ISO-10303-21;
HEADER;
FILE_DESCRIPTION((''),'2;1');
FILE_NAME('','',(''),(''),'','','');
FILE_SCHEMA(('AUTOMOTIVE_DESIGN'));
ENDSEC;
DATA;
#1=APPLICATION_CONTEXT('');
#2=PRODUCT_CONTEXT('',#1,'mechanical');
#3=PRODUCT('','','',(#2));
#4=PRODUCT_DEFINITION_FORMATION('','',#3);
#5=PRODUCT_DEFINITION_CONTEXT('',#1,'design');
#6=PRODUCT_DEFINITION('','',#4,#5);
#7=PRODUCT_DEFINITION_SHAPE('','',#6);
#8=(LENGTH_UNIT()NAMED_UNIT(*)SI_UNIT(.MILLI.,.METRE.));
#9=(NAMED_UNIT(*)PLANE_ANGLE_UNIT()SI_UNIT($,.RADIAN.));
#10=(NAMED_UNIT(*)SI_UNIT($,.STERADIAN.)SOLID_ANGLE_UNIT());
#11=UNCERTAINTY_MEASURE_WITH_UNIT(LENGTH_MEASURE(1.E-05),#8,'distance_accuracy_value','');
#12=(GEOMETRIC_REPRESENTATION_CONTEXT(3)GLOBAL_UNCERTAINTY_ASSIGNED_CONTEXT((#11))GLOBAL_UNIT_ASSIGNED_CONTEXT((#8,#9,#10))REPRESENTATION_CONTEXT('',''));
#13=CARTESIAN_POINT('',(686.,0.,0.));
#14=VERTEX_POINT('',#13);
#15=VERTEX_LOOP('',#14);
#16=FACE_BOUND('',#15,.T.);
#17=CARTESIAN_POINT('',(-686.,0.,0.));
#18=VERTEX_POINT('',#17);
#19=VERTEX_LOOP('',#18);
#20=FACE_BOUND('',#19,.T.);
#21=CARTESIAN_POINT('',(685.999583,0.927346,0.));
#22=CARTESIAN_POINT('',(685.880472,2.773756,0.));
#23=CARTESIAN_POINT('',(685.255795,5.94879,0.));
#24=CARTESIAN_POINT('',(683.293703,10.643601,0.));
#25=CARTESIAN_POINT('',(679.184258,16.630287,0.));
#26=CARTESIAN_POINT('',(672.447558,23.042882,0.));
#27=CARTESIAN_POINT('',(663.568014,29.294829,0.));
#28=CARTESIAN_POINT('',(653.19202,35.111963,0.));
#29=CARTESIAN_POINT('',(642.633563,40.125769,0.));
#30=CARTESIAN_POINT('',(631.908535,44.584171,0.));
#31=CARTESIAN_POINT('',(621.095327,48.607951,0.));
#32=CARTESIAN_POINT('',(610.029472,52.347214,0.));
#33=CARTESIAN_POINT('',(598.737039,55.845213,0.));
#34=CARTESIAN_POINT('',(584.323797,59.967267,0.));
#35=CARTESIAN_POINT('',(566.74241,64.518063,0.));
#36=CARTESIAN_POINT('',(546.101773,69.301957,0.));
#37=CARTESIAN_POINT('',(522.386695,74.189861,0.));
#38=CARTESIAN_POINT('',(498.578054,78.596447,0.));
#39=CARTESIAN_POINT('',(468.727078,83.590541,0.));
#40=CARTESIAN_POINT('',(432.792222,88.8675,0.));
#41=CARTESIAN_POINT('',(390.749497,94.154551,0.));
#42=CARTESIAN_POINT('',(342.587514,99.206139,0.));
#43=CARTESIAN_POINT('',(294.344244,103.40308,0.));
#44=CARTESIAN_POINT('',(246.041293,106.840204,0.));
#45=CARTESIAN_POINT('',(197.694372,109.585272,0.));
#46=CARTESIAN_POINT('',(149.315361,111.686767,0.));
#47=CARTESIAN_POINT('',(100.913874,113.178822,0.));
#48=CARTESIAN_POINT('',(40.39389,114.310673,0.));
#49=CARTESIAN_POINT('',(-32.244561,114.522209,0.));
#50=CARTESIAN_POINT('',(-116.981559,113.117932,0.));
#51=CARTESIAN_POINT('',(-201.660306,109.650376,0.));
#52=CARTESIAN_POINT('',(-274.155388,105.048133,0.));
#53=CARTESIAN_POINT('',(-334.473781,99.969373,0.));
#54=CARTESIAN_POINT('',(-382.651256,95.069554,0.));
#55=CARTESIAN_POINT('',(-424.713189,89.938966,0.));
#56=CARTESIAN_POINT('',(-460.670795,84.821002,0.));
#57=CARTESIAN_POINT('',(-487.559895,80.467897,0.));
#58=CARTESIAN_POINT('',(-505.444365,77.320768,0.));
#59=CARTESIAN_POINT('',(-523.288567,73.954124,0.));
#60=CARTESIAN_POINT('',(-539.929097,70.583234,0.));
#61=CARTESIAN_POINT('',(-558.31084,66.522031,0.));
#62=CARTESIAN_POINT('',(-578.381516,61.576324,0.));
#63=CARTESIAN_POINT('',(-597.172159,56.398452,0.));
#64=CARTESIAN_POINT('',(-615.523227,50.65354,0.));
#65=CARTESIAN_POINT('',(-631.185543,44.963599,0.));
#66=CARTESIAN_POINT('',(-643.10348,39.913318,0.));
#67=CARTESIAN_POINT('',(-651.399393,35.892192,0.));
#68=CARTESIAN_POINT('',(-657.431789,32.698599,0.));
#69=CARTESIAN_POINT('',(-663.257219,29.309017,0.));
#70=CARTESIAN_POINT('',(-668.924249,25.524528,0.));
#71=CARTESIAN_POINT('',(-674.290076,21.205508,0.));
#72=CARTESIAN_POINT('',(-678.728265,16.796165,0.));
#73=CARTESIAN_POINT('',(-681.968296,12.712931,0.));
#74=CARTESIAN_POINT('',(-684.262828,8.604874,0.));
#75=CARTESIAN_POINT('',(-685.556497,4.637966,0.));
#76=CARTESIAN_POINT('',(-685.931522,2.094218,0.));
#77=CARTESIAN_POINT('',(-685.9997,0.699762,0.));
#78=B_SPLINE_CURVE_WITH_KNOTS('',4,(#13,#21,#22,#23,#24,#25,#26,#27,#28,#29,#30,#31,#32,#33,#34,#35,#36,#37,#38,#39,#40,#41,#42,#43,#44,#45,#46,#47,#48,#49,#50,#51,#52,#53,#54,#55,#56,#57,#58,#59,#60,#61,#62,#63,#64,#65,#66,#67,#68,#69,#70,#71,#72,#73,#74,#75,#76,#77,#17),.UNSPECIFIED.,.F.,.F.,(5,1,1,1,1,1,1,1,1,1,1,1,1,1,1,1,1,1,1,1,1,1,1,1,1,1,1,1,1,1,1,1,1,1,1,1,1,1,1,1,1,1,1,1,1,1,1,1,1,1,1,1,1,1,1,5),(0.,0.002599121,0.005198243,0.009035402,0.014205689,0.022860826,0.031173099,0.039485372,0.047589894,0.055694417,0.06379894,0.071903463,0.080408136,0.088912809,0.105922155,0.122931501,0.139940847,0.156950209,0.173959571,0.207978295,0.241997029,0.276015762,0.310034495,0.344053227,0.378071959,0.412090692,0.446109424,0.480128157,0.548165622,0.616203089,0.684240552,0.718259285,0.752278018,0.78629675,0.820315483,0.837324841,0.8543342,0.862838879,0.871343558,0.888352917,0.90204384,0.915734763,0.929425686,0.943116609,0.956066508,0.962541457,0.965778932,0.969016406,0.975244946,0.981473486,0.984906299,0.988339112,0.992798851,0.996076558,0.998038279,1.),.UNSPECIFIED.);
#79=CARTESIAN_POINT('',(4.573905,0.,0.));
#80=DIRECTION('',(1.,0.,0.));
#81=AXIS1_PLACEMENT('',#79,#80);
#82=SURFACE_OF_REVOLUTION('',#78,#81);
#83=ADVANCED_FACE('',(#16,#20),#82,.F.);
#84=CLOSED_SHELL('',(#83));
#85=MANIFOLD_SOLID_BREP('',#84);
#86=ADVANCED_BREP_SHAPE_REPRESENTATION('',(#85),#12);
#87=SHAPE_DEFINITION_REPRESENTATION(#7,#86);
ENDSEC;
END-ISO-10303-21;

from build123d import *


with BuildPart() as part:
    # Sketch3 → Revolve7 (revolve)
    with BuildSketch(Plane.XY):
        with BuildLine():
            Line((686, 0), (-686, 0))
            add(Edge.make_bspline(
                [(-686, 0), (-685.999699841, 0.699762326), (-685.931521707, 2.094218113), (-685.55649747, 4.637965523), (-684.2628279, 8.604873746), (-681.968295878, 12.712931398), (-678.728264586, 16.796165297), (-674.290075568, 21.205508483), (-668.924248848, 25.524528376), (-663.25721873, 29.309016588), (-657.431789427, 32.698599113), (-651.39939298, 35.892192469), (-643.103479577, 39.913318056), (-631.185543211, 44.963598591), (-615.52322749, 50.653539592), (-597.1721586, 56.398452232), (-578.381515849, 61.576323633), (-558.31083984, 66.52203083), (-539.929097147, 70.583234063), (-523.288567451, 73.954123813), (-505.444364817, 77.320768374), (-487.559894738, 80.467897014), (-460.67079516, 84.821001907), (-424.713188922, 89.938965728), (-382.651255974, 95.069554192), (-334.473780951, 99.969373121), (-274.155387504, 105.048133494), (-201.660305627, 109.650376097), (-116.981559032, 113.117931931), (-32.244561215, 114.522208898), (40.393889621, 114.310672933), (100.913873713, 113.178821858), (149.315361086, 111.68676652), (197.694372146, 109.585271974), (246.041292807, 106.840204399), (294.344243629, 103.403079918), (342.587514384, 99.206138989), (390.749496573, 94.154551187), (432.792221759, 88.867500421), (468.727078308, 83.590540683), (498.578054351, 78.596447242), (522.386695381, 74.189861346), (546.101772652, 69.301956886), (566.742409683, 64.518063348), (584.323796603, 59.967267187), (598.737039083, 55.845212666), (610.029472283, 52.347214335), (621.095326866, 48.607951135), (631.908534663, 44.584171198), (642.63356268, 40.125768927), (653.192019719, 35.111962747), (663.568013972, 29.294829114), (672.447558279, 23.042881718), (679.184258235, 16.630287224), (683.293703086, 10.643601379), (685.25579529, 5.948790369), (685.880472014, 2.773755584), (685.999583238, 0.927345765), (686, 0)],
                knots=[0, 0, 0, 0, 0, 0.001961721, 0.003923442, 0.007201149, 0.011660888, 0.015093701, 0.018526514, 0.024755054, 0.030983594, 0.034221068, 0.037458543, 0.043933492, 0.056883391, 0.070574314, 0.084265237, 0.09795616, 0.111647083, 0.128656442, 0.137161121, 0.1456658, 0.162675159, 0.179684517, 0.21370325, 0.247721982, 0.281740715, 0.315759448, 0.383796911, 0.451834378, 0.519871843, 0.553890576, 0.587909308, 0.621928041, 0.655946773, 0.689965505, 0.723984238, 0.758002971, 0.792021705, 0.826040429, 0.843049791, 0.860059153, 0.877068499, 0.894077845, 0.911087191, 0.919591864, 0.928096537, 0.93620106, 0.944305583, 0.952410106, 0.960514628, 0.968826901, 0.977139174, 0.985794311, 0.990964598, 0.994801757, 0.997400879, 1, 1, 1, 1, 1], degree=4))
        make_face()
    revolve(axis=Axis((4.573905344, 0, 0), (-1, 0, 0)))


solid = part.part
